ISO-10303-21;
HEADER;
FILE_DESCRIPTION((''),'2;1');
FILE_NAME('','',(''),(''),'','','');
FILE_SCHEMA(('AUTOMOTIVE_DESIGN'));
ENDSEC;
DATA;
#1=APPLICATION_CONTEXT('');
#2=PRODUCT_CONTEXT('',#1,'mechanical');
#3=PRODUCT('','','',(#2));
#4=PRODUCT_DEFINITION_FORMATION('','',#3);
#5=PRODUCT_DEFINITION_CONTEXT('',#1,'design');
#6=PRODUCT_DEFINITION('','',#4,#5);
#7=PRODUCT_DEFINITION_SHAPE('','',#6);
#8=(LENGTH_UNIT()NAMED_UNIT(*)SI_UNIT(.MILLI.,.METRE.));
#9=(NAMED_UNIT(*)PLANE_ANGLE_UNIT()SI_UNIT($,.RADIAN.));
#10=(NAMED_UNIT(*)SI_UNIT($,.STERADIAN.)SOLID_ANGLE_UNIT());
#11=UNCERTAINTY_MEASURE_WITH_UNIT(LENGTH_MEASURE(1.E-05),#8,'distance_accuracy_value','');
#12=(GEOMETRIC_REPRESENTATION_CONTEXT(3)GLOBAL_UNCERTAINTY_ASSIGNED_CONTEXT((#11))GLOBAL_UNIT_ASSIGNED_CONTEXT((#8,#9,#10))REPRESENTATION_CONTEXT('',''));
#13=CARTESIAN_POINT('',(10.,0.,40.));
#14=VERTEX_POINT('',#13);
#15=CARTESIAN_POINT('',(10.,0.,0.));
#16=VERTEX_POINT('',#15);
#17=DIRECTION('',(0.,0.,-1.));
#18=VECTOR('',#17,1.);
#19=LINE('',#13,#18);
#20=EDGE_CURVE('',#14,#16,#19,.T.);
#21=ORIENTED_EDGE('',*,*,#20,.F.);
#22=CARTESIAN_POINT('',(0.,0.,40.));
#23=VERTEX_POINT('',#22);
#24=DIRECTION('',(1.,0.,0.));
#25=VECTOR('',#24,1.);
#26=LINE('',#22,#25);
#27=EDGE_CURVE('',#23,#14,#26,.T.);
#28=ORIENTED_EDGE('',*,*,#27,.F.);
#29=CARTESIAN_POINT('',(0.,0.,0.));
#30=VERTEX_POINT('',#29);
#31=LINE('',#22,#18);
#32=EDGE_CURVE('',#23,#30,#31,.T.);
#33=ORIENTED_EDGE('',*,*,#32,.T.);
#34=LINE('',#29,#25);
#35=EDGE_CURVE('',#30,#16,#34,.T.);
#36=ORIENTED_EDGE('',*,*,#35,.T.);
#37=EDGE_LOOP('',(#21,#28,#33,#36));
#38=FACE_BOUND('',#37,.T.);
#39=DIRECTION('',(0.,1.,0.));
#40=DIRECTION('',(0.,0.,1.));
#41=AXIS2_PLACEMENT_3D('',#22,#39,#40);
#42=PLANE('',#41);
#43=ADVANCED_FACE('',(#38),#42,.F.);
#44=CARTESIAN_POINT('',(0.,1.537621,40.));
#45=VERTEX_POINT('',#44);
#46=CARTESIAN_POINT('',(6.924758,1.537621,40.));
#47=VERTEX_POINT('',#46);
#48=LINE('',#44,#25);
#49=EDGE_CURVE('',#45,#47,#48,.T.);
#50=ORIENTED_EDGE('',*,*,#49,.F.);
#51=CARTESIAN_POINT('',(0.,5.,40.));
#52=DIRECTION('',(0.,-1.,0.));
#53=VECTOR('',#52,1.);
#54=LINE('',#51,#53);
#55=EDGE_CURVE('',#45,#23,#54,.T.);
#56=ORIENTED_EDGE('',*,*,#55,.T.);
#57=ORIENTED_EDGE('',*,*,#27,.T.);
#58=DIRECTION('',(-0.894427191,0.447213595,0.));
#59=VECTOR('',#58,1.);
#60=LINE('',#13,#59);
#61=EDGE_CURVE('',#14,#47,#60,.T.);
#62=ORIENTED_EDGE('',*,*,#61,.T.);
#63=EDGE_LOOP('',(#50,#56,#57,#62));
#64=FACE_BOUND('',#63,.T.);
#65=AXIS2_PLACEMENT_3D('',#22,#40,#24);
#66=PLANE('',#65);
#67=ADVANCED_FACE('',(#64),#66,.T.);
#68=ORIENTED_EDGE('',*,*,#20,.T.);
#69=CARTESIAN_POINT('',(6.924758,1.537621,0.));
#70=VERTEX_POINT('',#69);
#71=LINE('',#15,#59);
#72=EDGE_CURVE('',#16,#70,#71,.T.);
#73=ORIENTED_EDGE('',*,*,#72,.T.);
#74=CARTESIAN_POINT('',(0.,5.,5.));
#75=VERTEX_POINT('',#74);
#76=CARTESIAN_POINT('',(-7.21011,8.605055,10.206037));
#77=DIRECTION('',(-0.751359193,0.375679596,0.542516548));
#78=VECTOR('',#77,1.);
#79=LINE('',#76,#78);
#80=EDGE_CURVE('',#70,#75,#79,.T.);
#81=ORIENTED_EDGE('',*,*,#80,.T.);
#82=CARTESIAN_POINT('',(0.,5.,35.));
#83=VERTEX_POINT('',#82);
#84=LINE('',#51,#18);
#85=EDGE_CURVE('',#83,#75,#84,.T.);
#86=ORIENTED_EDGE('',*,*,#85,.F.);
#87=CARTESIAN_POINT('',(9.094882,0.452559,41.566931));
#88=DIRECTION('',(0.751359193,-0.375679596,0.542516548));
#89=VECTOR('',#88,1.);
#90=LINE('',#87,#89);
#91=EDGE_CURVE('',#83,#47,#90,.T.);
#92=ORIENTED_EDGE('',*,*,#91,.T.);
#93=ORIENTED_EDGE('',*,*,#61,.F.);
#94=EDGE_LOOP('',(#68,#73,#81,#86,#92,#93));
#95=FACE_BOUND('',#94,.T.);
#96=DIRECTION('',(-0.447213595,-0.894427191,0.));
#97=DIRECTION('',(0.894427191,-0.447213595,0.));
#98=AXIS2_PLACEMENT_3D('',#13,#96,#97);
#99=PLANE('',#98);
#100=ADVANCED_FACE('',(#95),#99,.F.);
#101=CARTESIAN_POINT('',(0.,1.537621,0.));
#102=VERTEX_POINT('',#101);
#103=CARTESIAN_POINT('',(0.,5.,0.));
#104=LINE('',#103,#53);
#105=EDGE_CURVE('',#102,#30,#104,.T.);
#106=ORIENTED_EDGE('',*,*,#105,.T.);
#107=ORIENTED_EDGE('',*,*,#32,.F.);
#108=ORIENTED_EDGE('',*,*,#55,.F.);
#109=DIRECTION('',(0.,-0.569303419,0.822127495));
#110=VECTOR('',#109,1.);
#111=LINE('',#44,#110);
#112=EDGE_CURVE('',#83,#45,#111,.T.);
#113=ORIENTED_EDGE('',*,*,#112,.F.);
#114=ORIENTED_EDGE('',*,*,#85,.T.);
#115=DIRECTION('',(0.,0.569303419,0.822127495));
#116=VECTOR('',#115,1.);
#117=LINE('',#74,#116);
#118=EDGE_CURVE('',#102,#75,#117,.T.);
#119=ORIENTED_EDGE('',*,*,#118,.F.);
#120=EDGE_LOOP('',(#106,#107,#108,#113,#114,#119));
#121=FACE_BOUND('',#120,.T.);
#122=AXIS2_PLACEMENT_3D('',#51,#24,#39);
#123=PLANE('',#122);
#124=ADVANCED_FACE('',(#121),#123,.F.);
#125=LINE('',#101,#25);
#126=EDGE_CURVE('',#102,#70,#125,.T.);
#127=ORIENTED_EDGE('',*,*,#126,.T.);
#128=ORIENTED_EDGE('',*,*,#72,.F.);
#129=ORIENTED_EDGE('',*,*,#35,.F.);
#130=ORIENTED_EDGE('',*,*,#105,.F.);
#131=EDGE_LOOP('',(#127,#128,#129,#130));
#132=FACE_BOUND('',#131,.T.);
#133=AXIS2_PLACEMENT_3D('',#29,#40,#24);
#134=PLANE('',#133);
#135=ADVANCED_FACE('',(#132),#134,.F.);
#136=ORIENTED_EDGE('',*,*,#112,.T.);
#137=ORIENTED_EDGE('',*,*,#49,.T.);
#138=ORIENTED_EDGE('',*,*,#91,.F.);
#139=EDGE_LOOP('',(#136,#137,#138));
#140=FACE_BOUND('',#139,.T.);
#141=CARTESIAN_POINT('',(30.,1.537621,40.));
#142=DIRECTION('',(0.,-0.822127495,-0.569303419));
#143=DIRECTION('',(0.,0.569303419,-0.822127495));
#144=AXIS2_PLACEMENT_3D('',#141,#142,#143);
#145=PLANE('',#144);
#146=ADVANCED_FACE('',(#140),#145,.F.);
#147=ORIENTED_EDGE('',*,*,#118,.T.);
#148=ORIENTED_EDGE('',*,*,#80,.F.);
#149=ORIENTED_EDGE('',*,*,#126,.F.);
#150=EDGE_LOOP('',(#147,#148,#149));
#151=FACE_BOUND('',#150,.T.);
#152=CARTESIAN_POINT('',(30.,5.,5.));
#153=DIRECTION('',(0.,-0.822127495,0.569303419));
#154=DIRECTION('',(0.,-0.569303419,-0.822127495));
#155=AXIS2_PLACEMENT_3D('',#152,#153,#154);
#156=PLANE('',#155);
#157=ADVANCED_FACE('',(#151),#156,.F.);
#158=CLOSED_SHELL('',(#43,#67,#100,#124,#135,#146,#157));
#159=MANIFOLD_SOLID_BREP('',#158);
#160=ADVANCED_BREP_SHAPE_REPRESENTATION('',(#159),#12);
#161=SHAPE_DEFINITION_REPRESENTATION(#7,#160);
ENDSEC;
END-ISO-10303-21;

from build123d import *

# Parameters (mm, degrees)
BOSS_EXTRUDE1_DEPTH = 40
CUT_EXTRUDE1_DEPTH  = 30


with BuildPart() as part:
    # Sketch1 → Boss-Extrude1 (new body)
    with BuildSketch(Plane.XY):
        Polygon((0, 0), (10, 0), (0, 5), align=None)
    extrude(amount=BOSS_EXTRUDE1_DEPTH)

    # Sketch3 → Cut-Extrude1 (cut)
    with BuildSketch(Plane.ZY):
        Polygon((5, 5), (0, 1.537620853), (0, 5), align=None)
        Polygon((35, 5), (40, 5), (40, 1.537620853), align=None)
    extrude(amount=-CUT_EXTRUDE1_DEPTH, mode=Mode.SUBTRACT)


solid = part.part
